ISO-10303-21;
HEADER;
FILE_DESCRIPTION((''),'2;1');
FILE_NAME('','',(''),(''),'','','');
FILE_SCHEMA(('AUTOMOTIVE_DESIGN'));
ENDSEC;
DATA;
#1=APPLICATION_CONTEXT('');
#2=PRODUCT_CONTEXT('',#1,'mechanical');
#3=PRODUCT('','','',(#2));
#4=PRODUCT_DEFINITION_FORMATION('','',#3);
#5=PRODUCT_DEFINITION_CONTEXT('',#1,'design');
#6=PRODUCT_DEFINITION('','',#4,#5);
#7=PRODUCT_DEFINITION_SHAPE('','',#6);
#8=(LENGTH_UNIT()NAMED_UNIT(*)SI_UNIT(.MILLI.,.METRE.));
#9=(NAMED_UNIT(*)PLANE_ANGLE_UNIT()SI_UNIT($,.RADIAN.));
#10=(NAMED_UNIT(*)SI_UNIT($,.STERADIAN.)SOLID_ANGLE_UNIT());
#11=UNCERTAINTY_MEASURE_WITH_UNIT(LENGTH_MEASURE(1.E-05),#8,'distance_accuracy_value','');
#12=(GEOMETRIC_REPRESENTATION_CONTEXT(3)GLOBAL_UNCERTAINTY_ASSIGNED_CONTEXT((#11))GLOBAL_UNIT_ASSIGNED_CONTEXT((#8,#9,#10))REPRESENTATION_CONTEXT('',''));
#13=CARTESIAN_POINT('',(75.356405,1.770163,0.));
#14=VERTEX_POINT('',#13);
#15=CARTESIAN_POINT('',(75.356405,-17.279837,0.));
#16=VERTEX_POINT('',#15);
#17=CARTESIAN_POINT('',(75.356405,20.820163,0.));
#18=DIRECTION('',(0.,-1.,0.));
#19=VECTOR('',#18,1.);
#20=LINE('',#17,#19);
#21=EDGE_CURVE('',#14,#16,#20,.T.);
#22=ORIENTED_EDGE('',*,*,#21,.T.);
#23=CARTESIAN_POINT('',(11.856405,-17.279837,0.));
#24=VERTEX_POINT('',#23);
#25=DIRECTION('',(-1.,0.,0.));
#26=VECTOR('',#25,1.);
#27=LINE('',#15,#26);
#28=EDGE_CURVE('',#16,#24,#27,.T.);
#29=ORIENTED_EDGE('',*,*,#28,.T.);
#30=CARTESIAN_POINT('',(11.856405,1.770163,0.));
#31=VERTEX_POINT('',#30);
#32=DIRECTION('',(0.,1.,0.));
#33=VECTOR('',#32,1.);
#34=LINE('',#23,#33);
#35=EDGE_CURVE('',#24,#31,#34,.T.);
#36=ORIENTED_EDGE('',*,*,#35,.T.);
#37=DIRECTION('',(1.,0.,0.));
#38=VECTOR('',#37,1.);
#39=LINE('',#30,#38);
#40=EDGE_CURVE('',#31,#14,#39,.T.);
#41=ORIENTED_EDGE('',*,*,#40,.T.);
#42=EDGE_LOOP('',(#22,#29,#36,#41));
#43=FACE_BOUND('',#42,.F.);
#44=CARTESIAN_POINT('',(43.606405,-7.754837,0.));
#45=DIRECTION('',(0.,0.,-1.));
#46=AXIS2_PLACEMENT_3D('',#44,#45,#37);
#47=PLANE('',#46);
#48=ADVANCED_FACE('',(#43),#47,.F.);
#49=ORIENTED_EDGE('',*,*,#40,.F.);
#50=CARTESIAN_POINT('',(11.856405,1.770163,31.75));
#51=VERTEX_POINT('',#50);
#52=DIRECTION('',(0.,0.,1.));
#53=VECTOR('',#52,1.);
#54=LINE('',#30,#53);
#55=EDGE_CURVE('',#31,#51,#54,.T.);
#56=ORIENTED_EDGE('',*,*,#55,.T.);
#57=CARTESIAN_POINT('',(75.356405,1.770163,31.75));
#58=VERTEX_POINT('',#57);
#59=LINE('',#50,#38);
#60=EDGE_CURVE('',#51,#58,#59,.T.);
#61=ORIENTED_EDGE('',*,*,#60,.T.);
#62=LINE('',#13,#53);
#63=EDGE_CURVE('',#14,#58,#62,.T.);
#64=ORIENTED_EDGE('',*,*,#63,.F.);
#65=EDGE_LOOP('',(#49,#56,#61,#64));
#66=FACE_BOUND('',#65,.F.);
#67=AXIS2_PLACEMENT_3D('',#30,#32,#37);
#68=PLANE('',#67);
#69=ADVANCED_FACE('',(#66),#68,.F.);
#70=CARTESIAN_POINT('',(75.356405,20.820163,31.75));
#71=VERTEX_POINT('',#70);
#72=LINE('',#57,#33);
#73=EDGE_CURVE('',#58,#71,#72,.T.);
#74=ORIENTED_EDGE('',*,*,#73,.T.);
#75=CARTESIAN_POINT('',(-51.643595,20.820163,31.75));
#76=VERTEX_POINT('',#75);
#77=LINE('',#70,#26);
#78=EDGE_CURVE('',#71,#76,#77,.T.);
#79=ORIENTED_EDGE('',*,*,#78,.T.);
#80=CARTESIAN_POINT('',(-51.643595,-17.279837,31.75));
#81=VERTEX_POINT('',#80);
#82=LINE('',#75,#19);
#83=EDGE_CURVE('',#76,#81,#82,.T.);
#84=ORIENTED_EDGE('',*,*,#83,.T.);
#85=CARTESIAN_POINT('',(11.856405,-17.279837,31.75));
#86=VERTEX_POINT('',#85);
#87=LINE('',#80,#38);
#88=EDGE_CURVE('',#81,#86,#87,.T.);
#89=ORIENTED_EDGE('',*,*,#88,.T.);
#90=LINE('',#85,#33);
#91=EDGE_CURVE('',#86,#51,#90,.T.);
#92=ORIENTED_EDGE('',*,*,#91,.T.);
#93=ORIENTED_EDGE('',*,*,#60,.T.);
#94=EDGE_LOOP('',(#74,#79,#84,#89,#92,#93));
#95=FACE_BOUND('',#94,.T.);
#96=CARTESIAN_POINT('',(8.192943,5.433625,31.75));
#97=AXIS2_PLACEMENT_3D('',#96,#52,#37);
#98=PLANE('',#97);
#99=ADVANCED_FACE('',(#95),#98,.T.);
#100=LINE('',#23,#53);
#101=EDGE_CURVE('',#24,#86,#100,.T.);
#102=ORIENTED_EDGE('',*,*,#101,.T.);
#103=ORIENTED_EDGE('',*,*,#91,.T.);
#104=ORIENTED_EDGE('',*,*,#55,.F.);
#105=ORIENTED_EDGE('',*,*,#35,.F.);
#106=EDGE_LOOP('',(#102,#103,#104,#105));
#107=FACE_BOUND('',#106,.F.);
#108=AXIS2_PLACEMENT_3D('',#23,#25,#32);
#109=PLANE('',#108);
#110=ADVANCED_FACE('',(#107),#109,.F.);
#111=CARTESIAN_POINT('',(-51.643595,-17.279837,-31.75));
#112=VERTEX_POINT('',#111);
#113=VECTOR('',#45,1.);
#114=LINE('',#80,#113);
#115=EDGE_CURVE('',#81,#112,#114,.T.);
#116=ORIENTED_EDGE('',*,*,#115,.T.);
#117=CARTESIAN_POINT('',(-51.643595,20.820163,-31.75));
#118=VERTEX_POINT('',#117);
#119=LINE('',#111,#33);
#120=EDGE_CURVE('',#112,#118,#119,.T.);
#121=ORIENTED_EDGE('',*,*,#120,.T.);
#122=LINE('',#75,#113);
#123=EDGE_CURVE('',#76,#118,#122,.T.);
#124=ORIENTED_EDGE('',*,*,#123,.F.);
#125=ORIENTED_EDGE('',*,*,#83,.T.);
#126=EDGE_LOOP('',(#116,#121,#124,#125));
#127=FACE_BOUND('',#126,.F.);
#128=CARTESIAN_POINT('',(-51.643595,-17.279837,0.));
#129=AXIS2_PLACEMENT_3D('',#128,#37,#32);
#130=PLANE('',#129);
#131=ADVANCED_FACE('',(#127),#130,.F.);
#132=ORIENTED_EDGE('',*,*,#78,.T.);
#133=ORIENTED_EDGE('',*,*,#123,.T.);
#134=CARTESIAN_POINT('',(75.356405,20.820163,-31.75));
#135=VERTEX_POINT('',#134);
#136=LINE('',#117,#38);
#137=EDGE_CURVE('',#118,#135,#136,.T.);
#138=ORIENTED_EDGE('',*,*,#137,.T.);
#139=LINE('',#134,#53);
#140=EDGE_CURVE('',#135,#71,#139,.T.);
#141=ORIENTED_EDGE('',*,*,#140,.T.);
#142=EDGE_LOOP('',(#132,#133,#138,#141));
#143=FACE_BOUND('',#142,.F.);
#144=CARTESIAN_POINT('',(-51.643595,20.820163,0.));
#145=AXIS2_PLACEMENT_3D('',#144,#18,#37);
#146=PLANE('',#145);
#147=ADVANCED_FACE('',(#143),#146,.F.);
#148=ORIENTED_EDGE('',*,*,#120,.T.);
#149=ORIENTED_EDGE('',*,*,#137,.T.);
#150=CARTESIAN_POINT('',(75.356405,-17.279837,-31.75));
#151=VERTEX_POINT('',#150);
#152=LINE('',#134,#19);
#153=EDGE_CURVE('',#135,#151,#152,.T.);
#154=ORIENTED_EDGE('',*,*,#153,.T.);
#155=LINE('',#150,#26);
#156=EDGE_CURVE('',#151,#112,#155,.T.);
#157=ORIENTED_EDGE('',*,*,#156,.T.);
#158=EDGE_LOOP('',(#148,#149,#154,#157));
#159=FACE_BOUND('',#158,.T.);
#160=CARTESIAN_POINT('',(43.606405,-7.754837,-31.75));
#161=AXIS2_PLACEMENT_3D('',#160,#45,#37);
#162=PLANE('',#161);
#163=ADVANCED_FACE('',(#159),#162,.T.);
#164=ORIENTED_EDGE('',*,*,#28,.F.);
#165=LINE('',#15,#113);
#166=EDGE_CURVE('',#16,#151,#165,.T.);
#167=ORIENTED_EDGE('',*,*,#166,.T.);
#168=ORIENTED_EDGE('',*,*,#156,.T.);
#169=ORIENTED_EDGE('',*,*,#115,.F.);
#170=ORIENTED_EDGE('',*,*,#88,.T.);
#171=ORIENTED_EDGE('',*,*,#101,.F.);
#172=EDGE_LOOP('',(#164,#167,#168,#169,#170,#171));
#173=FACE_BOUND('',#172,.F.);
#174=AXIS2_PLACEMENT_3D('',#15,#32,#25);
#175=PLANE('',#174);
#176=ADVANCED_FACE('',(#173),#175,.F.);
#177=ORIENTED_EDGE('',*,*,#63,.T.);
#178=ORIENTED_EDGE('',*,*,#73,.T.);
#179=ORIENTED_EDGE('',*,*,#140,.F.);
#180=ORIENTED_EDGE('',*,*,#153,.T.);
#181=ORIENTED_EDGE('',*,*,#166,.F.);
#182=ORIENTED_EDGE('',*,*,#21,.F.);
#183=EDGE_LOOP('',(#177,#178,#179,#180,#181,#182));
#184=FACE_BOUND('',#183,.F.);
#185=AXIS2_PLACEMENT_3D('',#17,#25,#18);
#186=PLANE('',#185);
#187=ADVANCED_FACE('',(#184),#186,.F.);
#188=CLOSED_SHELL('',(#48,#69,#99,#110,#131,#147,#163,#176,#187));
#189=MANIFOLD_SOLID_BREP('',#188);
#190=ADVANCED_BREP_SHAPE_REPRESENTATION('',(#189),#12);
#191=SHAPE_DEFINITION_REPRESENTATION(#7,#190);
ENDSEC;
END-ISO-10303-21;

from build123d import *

# Parameters (mm, degrees)
F1_DEPTH = 31.75
F2_W     = 63.5
F2_H     = 19.05
F3_DEPTH = 31.75


with BuildPart() as f1:
    # F0 (on Top) → F1 (new body)
    with BuildSketch(Plane.XY):
        Polygon((-51.643595, 20.820163), (-51.643595, -17.279837), (11.856405, -17.279837), (11.856405, 1.770163), (75.356405, 1.770163), (75.356405, 20.820163), align=None)
    extrude(amount=F1_DEPTH)

    # F2 (on face) → F3 (join)
    with BuildSketch(Plane(origin=(0, 0, 0), x_dir=(1, 0, 0), z_dir=(0, 0, -1))):
        with Locations((43.606405, 7.754837)):
            Rectangle(F2_W, F2_H)
        Polygon((11.856405, 17.279837), (-51.643595, 17.279837), (-51.643595, -20.820163), (75.356405, -20.820163), (75.356405, -1.770163), (11.856405, -1.770163), align=None)
    extrude(amount=F3_DEPTH)


solid = f1.part
